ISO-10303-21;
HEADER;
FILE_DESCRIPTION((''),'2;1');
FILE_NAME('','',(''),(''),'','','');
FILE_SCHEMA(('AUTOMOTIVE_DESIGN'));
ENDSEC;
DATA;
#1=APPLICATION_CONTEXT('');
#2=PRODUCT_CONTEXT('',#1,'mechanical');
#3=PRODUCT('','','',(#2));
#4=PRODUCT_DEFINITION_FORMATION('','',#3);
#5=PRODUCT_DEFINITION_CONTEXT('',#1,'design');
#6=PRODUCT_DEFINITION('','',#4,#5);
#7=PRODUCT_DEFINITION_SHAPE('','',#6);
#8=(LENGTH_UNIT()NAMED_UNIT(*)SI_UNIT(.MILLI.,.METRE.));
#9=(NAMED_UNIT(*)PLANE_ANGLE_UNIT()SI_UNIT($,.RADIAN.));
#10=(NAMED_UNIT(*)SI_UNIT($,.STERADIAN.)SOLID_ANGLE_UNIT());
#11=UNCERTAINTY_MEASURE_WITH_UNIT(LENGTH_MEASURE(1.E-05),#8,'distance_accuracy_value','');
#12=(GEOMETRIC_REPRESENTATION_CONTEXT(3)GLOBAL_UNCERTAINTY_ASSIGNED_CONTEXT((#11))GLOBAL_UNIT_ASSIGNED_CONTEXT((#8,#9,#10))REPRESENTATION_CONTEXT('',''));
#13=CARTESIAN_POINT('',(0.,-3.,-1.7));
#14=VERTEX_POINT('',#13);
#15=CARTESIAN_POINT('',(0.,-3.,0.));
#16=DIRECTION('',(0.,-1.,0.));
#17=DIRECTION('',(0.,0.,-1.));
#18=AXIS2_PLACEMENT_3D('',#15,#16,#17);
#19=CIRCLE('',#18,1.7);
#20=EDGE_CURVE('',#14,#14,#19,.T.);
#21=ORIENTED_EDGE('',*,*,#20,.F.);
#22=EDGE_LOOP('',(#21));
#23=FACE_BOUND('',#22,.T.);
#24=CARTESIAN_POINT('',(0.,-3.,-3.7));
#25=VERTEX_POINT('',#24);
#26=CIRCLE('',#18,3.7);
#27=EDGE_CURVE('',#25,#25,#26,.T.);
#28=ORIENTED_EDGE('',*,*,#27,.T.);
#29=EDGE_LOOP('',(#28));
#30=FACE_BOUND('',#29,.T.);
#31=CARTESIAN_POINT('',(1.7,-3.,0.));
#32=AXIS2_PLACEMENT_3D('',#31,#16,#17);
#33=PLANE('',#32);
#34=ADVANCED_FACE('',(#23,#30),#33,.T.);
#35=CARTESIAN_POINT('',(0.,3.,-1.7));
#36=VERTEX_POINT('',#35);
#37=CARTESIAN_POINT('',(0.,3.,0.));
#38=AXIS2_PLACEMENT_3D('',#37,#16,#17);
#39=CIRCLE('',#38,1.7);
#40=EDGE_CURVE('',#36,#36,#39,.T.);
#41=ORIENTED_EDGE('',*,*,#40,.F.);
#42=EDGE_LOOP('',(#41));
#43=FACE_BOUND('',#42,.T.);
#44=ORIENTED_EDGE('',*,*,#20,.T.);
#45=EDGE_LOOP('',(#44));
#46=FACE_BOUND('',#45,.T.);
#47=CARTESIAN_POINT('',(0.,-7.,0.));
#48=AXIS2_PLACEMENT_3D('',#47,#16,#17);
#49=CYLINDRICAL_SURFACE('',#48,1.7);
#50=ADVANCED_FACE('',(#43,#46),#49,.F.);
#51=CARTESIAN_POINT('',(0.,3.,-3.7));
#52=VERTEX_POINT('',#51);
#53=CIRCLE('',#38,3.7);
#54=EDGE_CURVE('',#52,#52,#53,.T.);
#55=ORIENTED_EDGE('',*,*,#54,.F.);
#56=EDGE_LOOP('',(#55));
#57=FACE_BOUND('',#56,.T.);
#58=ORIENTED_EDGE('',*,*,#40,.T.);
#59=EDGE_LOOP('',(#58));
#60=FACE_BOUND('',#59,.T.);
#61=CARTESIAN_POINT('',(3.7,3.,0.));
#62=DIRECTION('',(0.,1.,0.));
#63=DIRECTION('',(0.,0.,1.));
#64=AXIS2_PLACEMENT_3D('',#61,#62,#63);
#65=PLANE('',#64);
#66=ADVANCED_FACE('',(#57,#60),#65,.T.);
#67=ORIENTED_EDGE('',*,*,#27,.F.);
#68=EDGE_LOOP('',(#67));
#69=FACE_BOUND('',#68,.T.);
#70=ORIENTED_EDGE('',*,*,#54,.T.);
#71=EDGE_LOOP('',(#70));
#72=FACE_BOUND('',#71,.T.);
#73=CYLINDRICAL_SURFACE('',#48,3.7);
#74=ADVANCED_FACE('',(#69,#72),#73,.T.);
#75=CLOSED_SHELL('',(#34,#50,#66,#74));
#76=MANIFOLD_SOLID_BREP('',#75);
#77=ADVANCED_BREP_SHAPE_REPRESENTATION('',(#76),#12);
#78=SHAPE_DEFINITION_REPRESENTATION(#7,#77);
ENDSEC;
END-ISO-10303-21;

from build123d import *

# Parameters (mm, degrees)
SKETCH1_W = 2
SKETCH1_H = 6


with BuildPart() as part:
    # Sketch1 → Ojal_guia (revolve)
    with BuildSketch(Plane.XY, mode=Mode.PRIVATE) as ojal_guia_sk:
        with Locations((2.7, 0)):
            Rectangle(SKETCH1_W, SKETCH1_H)
    revolve(ojal_guia_sk.sketch.rotate(Axis((0, -7, 0), (0, 1, 0)), 90), axis=Axis((0, -7, 0), (0, 1, 0)))


solid = part.part
